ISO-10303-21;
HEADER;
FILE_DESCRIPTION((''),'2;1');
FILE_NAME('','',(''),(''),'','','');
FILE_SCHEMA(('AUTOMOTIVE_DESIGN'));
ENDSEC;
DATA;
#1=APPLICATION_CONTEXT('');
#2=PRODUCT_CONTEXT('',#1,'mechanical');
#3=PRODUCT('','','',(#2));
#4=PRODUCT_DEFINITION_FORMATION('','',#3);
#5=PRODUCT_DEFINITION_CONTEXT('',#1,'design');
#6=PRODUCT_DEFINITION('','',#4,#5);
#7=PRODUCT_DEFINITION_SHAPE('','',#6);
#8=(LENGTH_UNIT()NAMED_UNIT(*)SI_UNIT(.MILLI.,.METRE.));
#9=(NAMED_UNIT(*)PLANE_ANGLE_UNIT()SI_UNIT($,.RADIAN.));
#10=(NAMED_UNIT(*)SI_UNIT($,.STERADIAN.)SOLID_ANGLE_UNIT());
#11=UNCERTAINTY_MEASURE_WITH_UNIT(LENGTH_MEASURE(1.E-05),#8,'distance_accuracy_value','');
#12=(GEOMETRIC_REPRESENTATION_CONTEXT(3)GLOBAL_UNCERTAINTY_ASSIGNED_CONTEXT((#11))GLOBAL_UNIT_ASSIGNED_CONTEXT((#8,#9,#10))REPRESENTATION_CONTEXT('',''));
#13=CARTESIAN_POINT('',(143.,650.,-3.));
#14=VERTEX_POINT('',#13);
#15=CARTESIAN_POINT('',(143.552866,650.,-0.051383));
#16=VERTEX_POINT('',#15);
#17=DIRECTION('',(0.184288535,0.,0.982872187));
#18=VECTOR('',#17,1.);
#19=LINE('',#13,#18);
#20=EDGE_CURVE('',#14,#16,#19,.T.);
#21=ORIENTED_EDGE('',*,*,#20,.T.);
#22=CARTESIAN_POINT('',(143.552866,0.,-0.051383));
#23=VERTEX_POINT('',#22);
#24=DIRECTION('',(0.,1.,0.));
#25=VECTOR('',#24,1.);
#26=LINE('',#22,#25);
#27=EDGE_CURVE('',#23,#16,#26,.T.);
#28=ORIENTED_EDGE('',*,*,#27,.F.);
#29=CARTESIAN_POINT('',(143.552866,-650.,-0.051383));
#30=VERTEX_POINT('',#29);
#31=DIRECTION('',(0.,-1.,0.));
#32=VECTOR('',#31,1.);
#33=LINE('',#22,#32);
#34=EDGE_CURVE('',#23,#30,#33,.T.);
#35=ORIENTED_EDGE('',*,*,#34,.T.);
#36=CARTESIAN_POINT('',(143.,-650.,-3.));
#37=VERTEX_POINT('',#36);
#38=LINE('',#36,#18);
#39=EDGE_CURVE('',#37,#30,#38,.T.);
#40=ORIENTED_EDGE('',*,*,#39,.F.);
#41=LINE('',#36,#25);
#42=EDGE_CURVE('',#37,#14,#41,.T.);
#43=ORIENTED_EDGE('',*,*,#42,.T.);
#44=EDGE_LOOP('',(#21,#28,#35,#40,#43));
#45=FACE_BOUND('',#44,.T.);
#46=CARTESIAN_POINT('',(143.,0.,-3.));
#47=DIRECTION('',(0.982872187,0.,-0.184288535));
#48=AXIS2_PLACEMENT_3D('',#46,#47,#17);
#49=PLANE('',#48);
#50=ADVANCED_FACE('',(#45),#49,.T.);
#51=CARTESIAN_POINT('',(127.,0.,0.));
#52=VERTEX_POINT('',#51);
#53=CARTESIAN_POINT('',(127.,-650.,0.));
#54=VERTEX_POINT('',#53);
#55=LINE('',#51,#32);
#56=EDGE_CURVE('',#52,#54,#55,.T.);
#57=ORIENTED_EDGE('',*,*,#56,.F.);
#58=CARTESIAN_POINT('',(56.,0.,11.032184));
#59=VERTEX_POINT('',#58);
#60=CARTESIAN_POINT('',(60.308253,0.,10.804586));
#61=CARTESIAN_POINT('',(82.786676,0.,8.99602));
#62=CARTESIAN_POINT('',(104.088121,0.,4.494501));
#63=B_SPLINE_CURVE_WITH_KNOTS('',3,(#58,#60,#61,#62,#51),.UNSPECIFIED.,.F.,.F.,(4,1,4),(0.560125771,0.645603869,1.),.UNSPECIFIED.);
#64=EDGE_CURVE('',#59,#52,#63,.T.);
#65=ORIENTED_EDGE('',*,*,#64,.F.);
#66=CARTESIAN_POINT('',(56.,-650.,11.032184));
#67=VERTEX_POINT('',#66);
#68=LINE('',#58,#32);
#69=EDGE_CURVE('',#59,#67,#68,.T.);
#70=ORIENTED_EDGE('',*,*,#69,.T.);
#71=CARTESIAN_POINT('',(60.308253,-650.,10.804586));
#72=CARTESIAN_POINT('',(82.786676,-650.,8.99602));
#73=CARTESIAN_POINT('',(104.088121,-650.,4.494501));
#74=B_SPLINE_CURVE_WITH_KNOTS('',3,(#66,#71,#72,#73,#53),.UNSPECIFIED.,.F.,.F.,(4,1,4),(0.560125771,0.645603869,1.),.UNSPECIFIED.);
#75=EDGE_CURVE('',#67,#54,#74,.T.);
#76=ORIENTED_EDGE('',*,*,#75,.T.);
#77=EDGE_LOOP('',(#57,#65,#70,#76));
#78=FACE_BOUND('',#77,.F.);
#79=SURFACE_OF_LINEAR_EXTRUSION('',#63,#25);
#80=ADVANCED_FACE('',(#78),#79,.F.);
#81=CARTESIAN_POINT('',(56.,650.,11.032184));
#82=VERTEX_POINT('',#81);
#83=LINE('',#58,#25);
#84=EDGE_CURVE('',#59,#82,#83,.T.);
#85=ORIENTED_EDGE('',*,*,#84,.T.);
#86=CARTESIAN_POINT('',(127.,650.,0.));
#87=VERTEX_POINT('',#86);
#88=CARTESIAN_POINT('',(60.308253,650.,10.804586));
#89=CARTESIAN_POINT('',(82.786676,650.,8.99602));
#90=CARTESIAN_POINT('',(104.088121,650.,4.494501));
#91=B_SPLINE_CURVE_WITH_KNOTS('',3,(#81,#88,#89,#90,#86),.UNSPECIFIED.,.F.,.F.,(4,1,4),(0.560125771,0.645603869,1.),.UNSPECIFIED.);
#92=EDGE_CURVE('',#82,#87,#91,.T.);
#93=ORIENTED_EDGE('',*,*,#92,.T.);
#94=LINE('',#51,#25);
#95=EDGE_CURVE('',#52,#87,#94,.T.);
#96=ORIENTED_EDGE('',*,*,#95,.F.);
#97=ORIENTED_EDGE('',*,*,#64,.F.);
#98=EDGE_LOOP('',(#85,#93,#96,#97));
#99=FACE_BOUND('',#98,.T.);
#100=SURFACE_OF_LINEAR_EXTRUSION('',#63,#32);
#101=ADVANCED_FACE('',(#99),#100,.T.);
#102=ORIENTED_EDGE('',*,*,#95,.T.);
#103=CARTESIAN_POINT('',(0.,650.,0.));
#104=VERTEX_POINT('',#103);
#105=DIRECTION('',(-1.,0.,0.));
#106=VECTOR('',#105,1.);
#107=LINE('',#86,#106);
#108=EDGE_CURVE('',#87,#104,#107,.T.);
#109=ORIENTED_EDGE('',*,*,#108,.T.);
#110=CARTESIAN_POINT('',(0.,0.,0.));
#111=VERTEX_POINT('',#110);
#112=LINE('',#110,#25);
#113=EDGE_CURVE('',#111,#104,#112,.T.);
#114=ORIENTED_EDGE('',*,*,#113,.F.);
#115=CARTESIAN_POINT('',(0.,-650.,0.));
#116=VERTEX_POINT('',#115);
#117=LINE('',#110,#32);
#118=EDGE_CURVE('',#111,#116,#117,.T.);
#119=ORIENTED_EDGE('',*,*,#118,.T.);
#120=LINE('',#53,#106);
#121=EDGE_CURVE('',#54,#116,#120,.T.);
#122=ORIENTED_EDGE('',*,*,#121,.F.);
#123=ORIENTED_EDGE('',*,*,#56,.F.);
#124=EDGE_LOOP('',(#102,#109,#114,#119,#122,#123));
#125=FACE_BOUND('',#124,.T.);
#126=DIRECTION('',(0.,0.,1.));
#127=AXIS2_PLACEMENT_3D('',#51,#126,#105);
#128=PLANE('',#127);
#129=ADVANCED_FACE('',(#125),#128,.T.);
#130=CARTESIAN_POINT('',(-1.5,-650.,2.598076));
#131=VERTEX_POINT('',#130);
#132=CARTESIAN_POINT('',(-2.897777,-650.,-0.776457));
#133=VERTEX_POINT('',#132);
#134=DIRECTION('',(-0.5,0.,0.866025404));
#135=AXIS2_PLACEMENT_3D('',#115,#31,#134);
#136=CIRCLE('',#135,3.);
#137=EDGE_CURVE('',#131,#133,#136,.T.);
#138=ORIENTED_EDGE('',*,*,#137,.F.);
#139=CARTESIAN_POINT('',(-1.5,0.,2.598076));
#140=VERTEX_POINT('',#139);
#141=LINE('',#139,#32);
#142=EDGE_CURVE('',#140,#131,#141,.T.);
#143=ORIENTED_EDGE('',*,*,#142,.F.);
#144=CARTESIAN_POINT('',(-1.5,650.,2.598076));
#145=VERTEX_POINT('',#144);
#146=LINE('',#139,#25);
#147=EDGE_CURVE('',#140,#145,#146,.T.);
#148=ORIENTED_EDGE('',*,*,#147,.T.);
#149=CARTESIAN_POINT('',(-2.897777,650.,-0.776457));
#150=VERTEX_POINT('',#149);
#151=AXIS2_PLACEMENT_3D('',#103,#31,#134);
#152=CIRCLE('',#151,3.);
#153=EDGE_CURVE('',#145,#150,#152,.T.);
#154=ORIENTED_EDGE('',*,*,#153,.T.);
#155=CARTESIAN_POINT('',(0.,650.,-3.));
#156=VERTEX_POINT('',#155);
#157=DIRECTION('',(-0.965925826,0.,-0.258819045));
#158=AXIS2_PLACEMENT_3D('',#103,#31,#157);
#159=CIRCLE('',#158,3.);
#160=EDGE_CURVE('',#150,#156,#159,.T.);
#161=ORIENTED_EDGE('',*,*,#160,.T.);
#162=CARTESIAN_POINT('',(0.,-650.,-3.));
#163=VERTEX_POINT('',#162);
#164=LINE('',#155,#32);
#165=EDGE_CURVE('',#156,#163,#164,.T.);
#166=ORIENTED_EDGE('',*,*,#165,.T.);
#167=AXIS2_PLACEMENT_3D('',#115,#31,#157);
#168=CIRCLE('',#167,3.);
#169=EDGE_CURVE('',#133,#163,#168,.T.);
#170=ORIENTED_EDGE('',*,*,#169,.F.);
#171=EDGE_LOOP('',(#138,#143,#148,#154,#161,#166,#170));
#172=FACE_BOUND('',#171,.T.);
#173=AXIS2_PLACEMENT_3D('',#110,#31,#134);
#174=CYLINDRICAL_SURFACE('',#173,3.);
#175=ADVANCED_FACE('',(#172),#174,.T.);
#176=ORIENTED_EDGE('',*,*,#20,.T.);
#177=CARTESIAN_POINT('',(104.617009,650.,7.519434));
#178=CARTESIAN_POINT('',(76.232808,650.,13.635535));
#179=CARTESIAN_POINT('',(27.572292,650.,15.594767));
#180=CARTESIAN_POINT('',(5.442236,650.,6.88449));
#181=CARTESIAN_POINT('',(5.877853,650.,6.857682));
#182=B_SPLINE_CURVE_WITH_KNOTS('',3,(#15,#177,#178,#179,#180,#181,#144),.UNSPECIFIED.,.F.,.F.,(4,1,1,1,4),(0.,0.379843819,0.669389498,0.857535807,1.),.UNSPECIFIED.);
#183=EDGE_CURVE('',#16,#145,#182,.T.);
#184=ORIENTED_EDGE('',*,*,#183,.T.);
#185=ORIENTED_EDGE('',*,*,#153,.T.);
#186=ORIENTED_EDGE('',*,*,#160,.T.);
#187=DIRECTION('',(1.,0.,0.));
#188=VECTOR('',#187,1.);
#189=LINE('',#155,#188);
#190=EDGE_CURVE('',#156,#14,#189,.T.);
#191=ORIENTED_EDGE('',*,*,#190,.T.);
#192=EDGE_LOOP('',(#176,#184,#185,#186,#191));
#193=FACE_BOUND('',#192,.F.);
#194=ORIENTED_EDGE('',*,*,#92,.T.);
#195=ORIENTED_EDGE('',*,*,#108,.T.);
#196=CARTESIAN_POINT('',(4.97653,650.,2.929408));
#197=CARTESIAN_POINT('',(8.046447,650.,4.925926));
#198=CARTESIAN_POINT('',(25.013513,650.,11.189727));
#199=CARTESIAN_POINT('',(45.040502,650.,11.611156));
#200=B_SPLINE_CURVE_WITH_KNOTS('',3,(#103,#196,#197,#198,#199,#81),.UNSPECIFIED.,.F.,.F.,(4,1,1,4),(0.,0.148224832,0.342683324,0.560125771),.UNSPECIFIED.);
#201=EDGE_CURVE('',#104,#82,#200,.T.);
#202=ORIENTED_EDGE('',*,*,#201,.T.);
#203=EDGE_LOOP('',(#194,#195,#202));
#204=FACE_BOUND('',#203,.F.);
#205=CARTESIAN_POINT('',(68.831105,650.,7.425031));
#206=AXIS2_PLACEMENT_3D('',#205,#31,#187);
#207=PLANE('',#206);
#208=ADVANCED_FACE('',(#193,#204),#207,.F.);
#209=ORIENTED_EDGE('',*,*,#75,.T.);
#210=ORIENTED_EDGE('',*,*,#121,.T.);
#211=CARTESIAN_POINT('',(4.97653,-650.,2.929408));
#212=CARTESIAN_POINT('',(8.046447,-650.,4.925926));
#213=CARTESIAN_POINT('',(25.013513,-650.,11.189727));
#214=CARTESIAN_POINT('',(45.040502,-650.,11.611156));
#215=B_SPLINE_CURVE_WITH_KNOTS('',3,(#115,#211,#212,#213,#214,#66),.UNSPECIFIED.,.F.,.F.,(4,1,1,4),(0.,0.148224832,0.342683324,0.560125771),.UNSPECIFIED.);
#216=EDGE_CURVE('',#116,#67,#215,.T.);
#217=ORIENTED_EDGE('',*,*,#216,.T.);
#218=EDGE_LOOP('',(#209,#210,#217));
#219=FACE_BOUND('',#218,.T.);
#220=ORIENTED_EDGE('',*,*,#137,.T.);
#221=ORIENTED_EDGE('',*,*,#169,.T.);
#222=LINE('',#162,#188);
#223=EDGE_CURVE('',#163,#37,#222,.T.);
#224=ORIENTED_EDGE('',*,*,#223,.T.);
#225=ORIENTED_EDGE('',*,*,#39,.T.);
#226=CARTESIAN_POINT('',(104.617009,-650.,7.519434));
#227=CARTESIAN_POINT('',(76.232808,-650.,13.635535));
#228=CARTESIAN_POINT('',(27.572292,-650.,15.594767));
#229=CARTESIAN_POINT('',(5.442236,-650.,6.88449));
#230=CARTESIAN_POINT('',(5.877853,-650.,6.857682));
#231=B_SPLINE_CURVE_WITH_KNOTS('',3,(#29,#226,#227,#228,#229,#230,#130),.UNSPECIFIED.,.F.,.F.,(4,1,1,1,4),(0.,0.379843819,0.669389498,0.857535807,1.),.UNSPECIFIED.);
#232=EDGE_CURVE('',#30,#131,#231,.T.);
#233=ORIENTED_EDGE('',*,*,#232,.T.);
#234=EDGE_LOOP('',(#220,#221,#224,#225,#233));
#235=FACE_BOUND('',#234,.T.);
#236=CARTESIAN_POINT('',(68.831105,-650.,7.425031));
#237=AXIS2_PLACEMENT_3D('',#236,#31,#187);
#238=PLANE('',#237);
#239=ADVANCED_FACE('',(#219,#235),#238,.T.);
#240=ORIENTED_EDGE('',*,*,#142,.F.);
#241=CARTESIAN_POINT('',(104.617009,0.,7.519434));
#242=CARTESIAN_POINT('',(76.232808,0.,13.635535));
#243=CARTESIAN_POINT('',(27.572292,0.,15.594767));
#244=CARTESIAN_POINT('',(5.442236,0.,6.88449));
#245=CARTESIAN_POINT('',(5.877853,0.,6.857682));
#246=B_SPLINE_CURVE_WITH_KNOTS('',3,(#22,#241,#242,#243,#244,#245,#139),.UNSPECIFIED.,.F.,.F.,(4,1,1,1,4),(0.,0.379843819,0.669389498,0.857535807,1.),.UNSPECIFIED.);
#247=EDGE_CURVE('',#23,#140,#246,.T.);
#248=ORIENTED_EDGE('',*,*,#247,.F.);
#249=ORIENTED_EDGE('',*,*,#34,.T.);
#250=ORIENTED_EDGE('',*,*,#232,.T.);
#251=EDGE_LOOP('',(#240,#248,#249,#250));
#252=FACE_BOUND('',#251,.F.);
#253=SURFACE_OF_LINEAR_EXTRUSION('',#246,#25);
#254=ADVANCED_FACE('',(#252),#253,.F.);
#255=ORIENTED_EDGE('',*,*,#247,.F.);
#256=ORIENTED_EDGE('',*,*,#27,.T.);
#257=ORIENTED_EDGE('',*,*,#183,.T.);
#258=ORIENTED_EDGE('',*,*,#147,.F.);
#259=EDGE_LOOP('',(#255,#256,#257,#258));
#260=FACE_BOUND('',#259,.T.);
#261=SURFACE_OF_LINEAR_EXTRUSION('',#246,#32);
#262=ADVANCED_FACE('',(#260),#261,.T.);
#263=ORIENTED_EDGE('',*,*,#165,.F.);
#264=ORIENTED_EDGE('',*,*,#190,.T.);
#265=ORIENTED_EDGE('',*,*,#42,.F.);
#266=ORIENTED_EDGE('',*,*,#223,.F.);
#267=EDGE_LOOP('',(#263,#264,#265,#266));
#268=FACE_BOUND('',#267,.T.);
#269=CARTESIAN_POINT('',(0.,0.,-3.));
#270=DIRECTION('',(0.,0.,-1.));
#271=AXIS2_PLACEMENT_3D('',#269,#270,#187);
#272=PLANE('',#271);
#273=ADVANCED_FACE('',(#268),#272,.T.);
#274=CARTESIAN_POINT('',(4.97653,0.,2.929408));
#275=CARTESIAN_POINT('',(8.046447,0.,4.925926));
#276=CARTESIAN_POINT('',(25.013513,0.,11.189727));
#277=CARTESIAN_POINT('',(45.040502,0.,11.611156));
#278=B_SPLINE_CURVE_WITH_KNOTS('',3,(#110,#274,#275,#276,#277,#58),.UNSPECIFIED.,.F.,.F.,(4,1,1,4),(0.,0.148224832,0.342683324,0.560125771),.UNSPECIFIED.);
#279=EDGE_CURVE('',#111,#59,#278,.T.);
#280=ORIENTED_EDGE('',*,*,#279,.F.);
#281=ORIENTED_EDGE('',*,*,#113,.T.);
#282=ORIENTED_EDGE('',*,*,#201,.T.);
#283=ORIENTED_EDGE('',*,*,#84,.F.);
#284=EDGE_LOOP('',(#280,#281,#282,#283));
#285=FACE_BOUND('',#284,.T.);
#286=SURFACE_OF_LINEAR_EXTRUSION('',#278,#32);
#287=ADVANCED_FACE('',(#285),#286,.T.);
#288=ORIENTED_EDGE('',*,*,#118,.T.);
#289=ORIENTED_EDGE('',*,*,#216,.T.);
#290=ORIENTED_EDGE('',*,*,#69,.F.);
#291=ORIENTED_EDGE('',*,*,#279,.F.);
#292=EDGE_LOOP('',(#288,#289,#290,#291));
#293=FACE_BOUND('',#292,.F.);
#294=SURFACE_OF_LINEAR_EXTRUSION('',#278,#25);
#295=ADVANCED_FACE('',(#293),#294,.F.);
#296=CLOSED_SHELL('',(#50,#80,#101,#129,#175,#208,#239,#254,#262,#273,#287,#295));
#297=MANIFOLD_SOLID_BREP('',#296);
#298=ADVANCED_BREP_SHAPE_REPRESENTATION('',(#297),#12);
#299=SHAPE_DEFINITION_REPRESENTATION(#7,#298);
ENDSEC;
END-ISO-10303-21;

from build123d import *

# Parameters (mm, degrees)
F1_DEPTH = 650


with BuildPart() as f1:
    # F0 (on Front) → F1 (new body, symmetric)
    with BuildSketch(Plane.XZ):
        with BuildLine():
            Line((0, -3), (0, 0))
            add(Edge.make_bspline(
                [(0, 0), (4.976529694, 2.9294076189), (8.0464472722, 4.9259260486), (25.0135125986, 11.1897274422), (45.0405023319, 11.6111564879), (56, 11.0321840118)],
                knots=[0, 0, 0, 0, 0.1482248323, 0.3426833242, 0.5601257706, 0.5601257706, 0.5601257706, 0.5601257706], degree=3))
            add(Edge.make_bspline(
                [(56, 11.0321840118), (60.3082527523, 10.8045860107), (82.7866761058, 8.9960203801), (104.0881206975, 4.4945010838), (127, 0)],
                knots=[0.5601257706, 0.5601257706, 0.5601257706, 0.5601257706, 0.6456038689, 1, 1, 1, 1], degree=3))
            Line((127, 0), (143, -3))
            Line((143, -3), (143.5528656052, -0.0513834392))
            add(Edge.make_bspline(
                [(143.5528656052, -0.0513834392), (104.6170089124, 7.519433537), (76.2328083292, 13.6355347634), (27.5722921413, 15.5947670577), (5.44223627, 6.8844900424), (5.8778529614, 6.8576816047), (-1.5, 2.5980762114)],
                knots=[0, 0, 0, 0, 0.3798438193, 0.6693894984, 0.8575358074, 1, 1, 1, 1], degree=3))
            ThreePointArc((-1.5, 2.5980762114), (-2.7716385975, 1.1480502971), (-2.8977774789, -0.7764571353))
            ThreePointArc((-2.8977774789, -0.7764571353), (-1.826284287, -2.3800600209), (0, -3))
        make_face()
        Polygon((9, 0), (0, 0), (0, -3), (143, -3), (127, 0), (102, 0), (69, 0), (60, 0), (56, 0), (51, 0), (26, 0), align=None)
    extrude(amount=F1_DEPTH, both=True)


solid = f1.part
